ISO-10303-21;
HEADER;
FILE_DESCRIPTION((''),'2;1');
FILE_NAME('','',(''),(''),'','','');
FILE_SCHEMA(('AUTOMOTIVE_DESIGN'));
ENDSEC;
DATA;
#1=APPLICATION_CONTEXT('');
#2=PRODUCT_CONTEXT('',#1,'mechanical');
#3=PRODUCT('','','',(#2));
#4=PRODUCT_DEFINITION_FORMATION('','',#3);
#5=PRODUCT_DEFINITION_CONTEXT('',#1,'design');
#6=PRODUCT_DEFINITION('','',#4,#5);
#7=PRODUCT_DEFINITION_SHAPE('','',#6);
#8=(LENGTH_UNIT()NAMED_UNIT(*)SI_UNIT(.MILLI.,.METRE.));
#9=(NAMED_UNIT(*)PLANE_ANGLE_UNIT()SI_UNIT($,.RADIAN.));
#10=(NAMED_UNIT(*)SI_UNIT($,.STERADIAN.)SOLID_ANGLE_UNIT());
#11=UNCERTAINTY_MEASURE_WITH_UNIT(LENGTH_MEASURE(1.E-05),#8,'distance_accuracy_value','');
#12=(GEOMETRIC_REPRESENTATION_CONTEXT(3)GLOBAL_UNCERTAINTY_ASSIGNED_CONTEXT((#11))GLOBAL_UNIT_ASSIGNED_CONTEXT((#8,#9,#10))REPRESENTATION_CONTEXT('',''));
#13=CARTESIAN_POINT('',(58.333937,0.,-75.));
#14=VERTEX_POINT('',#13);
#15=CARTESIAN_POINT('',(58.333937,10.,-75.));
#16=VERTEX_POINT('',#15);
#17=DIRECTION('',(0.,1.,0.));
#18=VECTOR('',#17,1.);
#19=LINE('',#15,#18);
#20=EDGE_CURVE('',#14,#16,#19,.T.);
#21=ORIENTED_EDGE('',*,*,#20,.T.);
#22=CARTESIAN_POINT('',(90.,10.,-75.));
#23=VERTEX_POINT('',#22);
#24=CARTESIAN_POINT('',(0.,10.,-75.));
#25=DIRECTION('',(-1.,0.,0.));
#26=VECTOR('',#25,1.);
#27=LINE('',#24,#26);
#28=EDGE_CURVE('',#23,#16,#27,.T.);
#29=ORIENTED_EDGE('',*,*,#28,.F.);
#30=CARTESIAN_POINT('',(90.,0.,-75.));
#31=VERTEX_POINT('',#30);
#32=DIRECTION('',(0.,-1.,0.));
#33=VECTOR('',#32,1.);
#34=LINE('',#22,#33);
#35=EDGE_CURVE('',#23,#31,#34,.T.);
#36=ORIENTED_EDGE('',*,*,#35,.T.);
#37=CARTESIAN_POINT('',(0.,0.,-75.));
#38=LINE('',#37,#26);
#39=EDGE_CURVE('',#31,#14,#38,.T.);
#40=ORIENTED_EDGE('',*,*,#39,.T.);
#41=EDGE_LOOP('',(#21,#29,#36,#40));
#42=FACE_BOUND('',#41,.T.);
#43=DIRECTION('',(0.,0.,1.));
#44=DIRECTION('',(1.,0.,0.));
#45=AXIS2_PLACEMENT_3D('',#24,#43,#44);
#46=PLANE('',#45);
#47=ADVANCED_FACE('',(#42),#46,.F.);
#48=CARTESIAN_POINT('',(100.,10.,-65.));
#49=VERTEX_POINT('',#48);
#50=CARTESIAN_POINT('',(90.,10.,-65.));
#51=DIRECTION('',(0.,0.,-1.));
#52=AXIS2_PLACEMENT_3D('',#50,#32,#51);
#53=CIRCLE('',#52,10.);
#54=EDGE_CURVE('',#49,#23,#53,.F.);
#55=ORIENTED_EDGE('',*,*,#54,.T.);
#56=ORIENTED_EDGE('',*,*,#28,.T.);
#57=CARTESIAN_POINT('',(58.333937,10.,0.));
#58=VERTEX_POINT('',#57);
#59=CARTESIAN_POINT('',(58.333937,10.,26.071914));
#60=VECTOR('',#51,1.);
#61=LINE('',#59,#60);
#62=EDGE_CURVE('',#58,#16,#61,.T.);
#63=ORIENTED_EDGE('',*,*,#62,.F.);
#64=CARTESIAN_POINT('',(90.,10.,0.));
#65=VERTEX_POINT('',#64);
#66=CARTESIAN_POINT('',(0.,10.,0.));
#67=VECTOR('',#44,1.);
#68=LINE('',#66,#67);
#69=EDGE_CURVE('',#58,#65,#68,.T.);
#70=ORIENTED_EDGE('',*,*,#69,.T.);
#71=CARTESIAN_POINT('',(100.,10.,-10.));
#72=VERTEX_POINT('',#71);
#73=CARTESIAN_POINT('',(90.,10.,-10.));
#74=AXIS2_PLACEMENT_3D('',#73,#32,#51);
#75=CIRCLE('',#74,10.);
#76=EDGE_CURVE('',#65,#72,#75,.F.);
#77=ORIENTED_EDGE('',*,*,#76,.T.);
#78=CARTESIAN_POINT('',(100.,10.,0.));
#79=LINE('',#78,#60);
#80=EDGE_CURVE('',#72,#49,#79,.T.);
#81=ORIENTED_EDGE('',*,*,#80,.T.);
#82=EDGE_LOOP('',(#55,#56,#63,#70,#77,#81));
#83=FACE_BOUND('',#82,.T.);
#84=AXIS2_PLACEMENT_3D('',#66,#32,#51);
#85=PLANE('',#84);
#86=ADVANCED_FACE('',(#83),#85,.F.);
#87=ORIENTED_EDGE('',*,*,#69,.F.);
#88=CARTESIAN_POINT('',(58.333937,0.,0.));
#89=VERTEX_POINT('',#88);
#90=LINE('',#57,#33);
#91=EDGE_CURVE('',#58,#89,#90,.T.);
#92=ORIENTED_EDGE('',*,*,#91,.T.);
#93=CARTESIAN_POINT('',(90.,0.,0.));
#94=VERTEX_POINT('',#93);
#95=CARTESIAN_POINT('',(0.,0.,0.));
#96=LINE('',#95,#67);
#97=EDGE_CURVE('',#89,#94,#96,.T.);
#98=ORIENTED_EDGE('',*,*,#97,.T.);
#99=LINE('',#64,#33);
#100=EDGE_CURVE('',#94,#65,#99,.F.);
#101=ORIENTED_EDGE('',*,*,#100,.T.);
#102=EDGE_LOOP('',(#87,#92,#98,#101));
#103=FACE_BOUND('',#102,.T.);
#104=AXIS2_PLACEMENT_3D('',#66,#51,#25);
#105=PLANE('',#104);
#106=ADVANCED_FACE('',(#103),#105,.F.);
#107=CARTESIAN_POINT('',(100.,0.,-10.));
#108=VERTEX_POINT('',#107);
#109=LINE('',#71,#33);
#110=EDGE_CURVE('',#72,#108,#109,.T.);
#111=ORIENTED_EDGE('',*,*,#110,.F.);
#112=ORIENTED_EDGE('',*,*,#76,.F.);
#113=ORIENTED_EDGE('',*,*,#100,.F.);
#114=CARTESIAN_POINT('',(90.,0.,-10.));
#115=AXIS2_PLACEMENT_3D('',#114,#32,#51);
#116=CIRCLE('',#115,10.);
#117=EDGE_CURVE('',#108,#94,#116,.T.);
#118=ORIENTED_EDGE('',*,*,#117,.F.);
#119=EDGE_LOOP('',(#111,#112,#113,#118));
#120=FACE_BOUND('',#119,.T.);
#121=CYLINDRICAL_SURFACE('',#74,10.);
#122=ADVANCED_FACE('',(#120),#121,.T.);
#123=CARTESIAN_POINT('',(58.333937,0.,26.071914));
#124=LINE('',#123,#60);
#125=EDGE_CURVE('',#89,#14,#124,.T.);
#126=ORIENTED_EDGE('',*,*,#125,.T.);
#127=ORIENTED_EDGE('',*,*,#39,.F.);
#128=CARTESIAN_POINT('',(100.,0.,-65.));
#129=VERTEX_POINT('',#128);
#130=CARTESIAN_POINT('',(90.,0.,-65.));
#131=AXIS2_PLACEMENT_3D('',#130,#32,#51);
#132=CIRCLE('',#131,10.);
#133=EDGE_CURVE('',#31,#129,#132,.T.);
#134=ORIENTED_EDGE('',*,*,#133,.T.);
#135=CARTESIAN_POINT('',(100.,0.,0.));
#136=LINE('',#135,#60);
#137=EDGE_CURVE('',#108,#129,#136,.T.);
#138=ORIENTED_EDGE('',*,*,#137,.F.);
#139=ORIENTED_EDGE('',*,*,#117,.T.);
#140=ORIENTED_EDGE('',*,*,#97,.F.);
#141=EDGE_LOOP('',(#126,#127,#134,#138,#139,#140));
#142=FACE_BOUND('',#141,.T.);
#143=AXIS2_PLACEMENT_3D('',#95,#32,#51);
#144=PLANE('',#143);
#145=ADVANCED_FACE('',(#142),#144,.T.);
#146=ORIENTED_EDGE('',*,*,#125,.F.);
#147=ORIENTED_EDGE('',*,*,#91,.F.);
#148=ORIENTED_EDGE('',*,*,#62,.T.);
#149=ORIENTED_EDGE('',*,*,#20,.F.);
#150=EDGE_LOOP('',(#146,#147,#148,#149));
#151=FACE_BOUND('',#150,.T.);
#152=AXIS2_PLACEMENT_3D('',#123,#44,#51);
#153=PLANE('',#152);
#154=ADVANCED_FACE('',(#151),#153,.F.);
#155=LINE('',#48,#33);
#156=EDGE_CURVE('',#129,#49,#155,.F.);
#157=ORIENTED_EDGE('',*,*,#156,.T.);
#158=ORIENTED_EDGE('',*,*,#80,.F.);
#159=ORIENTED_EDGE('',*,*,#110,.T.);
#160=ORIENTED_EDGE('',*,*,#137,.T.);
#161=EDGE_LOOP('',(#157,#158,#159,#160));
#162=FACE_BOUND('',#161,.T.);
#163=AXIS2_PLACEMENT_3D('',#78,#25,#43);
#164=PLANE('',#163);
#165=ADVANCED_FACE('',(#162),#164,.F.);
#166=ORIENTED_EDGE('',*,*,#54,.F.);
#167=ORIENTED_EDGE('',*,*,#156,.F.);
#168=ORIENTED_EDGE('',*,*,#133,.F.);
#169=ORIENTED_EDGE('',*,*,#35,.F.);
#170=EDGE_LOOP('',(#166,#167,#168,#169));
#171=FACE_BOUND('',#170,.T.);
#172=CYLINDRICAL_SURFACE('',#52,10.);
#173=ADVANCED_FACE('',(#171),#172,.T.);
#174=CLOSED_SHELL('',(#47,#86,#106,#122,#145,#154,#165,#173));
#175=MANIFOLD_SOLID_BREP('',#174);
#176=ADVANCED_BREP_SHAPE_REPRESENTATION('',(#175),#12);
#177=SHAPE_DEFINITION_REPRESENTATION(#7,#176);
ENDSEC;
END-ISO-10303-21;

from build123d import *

# Parameters (mm, degrees)
SKETCH1_W           = 100
SKETCH1_H           = 75
BOSS_EXTRUDE1_DEPTH = 10
FILLET1_R           = 10
SKETCH2_W           = 88.511966946
SKETCH2_H           = 129.218884933
CUT_EXTRUDE1_DEPTH  = 11


with BuildPart() as part:
    # Sketch1 → Boss-Extrude1 (new body)
    with BuildSketch(Plane(origin=(0, 0, 0), x_dir=(1, 0, 0), z_dir=(0, 1, 0))):
        with Locations((50, 37.5)):
            Rectangle(SKETCH1_W, SKETCH1_H)
    extrude(amount=BOSS_EXTRUDE1_DEPTH)

    # Fillet1
    fillet1_edges = [part.edges().sort_by_distance(p)[0] for p in [
        (0, 5, -75),
        (100, 5, -75),
        (100, 5, 0),
        (0, 5, 0),
    ]]
    fillet(fillet1_edges, radius=FILLET1_R)

    # Sketch2 → Cut-Extrude1 (cut, through all)
    with BuildSketch(Plane(origin=(0, 10, 0), x_dir=(1, 0, 0), z_dir=(0, 1, 0))):
        with Locations((14.077953322, 38.537528746)):
            Rectangle(SKETCH2_W, SKETCH2_H)
    extrude(amount=-CUT_EXTRUDE1_DEPTH, mode=Mode.SUBTRACT)


solid = part.part
